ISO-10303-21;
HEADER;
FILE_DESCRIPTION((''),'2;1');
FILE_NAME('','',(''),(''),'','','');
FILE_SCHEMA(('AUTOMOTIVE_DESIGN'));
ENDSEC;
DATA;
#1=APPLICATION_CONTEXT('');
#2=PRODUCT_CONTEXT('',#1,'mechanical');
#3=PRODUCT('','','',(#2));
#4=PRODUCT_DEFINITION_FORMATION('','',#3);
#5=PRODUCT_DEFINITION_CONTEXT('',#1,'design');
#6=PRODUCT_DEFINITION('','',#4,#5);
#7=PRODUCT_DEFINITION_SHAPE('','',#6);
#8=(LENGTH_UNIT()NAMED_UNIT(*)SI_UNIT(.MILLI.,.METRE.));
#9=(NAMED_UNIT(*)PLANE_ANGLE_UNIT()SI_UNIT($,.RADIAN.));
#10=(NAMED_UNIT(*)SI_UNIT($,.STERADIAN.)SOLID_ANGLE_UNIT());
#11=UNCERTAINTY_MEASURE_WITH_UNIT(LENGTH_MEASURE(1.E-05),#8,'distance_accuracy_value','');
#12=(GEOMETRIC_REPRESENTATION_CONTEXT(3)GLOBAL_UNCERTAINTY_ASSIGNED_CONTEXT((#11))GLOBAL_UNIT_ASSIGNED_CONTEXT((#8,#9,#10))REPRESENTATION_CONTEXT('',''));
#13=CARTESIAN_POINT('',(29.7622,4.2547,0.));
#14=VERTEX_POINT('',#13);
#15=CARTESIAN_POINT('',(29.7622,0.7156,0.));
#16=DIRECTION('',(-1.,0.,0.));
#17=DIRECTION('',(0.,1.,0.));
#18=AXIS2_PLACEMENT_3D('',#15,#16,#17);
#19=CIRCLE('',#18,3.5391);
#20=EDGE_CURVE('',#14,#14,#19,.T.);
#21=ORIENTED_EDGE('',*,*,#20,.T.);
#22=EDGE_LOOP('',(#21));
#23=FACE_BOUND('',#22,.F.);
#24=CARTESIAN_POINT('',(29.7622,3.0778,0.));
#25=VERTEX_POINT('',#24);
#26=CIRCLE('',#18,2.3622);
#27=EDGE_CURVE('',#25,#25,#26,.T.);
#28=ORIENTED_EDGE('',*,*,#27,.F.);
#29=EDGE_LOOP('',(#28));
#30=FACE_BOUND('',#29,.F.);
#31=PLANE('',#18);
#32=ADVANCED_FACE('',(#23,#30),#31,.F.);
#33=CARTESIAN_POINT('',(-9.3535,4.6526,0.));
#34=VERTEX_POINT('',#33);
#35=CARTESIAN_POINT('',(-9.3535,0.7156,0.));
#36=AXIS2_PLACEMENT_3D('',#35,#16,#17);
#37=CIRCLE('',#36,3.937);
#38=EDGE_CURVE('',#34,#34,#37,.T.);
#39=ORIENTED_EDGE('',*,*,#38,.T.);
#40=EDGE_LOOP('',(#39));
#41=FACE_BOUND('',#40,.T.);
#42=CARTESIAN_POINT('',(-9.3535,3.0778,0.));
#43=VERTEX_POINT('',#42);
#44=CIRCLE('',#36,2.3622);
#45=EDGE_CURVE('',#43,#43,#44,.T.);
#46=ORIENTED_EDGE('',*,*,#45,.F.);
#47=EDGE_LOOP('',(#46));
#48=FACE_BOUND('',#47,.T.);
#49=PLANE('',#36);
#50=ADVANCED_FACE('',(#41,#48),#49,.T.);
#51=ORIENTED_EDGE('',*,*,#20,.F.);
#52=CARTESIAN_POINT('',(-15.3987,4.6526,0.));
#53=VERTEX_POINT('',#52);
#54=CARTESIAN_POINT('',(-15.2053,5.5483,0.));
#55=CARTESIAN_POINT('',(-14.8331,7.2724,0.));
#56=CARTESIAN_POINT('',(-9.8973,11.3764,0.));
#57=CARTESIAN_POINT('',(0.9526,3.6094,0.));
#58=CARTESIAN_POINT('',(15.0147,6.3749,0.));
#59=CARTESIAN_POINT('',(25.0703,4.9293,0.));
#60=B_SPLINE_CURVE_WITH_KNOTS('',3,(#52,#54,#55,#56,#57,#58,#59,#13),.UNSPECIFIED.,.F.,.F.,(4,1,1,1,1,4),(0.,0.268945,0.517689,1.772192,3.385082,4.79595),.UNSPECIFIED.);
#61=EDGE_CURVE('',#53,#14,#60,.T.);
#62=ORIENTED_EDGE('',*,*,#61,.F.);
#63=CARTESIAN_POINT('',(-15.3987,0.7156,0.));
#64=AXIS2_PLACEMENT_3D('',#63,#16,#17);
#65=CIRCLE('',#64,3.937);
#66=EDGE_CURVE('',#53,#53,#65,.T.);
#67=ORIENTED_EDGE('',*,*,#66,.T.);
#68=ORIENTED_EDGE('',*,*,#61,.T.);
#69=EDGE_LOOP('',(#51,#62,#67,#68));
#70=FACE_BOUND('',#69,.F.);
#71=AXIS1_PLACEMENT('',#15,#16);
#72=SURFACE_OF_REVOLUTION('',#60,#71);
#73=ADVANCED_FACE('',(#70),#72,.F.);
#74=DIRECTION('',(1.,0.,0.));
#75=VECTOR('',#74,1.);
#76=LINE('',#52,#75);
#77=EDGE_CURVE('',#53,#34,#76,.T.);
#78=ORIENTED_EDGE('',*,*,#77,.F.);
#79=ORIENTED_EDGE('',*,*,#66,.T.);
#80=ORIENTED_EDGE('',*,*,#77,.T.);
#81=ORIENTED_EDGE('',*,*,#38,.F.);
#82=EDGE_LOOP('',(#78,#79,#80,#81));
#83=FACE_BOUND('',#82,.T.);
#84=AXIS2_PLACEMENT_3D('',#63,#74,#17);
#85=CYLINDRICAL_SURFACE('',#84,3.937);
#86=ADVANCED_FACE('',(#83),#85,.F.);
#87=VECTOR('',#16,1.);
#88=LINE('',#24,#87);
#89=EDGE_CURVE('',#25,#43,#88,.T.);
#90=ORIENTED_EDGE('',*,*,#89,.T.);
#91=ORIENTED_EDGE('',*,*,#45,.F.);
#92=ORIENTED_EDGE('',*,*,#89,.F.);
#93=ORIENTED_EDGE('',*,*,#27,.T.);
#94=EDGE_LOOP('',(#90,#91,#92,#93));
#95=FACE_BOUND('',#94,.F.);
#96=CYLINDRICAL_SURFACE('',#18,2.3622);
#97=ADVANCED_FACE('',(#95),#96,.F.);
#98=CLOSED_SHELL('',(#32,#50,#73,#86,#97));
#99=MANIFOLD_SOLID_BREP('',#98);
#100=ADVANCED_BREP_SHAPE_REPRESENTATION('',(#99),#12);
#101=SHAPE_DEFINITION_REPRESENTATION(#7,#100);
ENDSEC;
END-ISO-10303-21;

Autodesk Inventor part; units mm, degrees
ref_plane "YZ Plane" through (0, 0, 0) normal (1, 0, 0) x (0, 1, 0)
ref_plane "XZ Plane" through (0, 0, 0) normal (0, 1, 0) x (-1, 0, 0)
ref_plane "XY Plane" through (0, 0, 0) normal (0, 0, 1) x (1, 0, 0)
sketch "Sketch2" plane through (0, 0, 0) normal (0, 0, 1) x (1, 0, 0)
  line L0 (29.7622, 3.0778) -> (-9.3535, 3.0778)
  spline S0 degree 3 poles (-15.3987, 4.6526) (-15.2053, 5.5483) (-14.8331, 7.2724) (-9.8973, 11.3764) (0.9526, 3.6094) (15.0147, 6.3749) (25.0703, 4.9293) (29.7622, 4.2547) knots 0 0 0 0 0.268945 0.517689 1.772192 3.385082 4.79595 4.79595 4.79595 4.79595
  line L1 (29.7622, 4.2547) -> (29.7622, 3.0778)
  line L2 (29.7622, 0.7156) -> (-24.086, 0.7156)
  line L3 (-15.3987, 4.6526) -> (-9.3535, 4.6526)
  line L4 (-15.3987, 4.6526) -> (-9.3535, 4.6526) construction
  line L5 (-9.3535, 4.6526) -> (-9.3535, 3.0778)
  point P0 (0, 0)
  point P1 (-14.5299, 7.1979)
  point P2 (-12.6698, 8.8493)
  point P3 (-0.4022, 6.2255)
  point P4 (15.712, 5.5381)
  dimension "d3" = 6.0452
  dimension "d5" = 1.5748
revolve "Revolution2" add sketch "Sketch2" angle 360 about axis through (29.7622, 0.7156, 0) along (-1, 0, 0)
properties part number "ShiftHandleV2"
